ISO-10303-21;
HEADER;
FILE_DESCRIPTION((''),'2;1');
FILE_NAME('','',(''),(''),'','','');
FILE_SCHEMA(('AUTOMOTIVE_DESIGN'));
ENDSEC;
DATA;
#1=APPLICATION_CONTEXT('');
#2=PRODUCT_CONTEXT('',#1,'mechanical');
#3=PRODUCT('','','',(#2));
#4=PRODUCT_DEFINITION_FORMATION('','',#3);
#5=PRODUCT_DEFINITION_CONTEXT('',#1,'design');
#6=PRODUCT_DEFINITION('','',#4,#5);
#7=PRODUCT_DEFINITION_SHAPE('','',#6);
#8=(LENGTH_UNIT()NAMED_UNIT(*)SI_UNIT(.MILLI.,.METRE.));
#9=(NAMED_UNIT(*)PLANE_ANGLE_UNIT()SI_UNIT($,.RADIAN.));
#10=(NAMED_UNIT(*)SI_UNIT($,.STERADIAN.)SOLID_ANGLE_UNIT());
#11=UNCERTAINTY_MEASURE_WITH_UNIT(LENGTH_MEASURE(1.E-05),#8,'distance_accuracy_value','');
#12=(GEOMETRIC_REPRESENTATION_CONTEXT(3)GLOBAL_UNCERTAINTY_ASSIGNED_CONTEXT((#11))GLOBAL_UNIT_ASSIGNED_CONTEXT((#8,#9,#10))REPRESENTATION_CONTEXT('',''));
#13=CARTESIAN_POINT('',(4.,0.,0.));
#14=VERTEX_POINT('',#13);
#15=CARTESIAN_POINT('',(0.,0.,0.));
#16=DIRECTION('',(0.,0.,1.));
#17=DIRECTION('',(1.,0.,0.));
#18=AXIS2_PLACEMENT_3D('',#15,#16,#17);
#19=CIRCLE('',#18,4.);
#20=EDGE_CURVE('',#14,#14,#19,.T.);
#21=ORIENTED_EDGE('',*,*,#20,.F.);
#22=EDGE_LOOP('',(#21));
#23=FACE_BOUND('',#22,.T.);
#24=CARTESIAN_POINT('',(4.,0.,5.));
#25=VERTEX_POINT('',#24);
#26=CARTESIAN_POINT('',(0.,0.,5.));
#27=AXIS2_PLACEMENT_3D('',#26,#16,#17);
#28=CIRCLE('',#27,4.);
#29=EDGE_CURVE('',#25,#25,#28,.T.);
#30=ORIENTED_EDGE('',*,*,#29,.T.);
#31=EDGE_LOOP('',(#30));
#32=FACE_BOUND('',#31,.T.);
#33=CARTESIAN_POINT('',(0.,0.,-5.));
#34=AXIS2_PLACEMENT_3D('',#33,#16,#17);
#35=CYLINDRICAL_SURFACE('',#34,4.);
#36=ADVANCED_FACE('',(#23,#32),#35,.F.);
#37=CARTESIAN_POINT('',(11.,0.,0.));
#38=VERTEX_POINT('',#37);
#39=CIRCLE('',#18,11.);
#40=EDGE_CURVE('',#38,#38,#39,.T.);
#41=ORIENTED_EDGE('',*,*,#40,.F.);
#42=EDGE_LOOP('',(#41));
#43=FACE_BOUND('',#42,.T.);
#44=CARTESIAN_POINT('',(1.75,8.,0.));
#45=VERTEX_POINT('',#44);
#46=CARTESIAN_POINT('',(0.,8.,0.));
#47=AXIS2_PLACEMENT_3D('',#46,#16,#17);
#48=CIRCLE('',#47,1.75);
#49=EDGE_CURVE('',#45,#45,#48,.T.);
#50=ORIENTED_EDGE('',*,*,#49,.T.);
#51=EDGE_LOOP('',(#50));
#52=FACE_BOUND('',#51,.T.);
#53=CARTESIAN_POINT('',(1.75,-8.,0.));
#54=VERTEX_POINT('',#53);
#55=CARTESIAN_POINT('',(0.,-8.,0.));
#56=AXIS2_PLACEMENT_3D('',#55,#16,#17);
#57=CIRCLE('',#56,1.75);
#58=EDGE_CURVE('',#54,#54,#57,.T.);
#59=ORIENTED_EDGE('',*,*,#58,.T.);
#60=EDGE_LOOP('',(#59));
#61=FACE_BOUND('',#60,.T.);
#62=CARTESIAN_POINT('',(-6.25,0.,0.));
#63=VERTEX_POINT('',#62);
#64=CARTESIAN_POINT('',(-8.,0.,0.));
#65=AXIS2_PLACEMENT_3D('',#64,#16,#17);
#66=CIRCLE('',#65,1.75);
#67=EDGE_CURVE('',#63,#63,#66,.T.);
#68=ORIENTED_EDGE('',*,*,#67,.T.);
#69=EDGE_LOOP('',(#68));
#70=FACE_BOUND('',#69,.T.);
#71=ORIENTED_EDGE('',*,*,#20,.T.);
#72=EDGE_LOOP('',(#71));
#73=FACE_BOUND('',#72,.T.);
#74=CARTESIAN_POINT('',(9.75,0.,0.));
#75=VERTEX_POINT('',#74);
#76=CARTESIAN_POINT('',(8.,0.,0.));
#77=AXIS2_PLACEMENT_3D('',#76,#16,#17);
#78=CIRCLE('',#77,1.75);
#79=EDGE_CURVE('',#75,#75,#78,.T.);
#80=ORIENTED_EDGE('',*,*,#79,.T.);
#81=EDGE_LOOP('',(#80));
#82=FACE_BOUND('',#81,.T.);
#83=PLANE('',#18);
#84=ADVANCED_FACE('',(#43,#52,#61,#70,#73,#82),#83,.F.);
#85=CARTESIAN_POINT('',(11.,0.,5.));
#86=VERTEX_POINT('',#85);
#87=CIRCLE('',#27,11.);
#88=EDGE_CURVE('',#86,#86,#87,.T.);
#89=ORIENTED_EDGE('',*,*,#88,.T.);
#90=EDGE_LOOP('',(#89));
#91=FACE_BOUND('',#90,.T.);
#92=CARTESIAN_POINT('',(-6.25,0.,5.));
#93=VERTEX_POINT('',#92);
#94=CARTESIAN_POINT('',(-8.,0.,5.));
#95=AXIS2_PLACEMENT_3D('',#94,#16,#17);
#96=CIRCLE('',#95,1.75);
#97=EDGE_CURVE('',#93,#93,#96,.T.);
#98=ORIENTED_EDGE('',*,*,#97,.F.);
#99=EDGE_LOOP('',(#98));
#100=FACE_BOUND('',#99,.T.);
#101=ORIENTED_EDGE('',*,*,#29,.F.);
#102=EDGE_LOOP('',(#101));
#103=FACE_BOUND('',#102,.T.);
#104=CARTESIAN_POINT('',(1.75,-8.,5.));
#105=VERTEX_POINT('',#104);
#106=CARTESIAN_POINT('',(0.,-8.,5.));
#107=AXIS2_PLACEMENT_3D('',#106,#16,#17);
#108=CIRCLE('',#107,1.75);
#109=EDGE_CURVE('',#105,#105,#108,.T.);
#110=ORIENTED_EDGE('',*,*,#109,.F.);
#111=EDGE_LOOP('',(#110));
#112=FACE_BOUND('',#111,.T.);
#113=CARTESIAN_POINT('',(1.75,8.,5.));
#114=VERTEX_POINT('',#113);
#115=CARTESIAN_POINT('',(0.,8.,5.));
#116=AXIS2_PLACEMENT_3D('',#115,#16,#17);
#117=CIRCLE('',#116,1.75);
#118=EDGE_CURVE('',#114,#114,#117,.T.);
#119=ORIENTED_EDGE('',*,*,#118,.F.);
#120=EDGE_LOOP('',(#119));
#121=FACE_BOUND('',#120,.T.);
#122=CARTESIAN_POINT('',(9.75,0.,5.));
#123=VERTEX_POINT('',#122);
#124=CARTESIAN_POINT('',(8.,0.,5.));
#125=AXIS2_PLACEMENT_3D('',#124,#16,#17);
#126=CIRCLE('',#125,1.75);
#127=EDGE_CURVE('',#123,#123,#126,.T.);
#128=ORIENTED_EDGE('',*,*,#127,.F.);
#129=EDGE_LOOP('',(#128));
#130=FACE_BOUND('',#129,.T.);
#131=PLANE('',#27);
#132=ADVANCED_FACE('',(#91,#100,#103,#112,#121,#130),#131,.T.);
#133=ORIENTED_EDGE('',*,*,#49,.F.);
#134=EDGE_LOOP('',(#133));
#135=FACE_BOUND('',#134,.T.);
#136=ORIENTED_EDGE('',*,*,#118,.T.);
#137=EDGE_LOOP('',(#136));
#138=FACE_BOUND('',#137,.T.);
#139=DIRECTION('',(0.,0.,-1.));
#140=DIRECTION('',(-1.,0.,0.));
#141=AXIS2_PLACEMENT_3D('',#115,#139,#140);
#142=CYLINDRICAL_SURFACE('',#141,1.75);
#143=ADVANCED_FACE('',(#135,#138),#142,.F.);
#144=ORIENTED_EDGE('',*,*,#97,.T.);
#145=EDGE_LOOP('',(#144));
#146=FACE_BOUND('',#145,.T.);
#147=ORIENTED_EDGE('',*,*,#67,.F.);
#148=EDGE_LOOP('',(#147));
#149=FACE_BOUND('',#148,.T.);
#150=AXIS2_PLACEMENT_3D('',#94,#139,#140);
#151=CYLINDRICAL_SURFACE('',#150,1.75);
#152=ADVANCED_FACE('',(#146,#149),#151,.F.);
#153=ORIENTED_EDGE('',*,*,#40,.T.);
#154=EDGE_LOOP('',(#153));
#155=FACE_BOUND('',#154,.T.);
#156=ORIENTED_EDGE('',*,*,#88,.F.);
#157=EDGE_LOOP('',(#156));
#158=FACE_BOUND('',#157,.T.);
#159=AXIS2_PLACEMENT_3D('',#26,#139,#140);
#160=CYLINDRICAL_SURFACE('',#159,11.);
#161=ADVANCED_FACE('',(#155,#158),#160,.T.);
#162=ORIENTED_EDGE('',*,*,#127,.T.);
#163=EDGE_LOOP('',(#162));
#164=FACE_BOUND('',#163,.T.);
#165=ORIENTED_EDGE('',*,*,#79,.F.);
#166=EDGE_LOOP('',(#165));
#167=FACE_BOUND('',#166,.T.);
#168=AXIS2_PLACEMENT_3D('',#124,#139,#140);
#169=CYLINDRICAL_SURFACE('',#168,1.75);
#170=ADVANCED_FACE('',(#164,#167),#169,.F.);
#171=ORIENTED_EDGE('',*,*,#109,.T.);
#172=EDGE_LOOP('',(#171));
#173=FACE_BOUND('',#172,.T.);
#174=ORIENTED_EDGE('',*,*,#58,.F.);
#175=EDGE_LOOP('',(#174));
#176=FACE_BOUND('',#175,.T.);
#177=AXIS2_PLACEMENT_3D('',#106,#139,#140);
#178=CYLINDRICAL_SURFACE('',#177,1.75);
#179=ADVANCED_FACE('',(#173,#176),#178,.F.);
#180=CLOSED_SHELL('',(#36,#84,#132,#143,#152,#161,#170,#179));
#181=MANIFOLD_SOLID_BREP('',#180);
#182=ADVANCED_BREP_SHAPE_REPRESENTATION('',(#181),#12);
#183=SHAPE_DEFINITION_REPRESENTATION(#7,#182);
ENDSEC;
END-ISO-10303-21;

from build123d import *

# Parameters (mm, degrees)
SKETCH_1_R          = 11
SKETCH_1_R_2        = 1.75
EXTRUDE_1_DEPTH     = 5
SKETCH_2_R          = 4
SKETCH_2_R_2        = 2.35
CUT_EXTRUDE_1_DEPTH = 10


with BuildPart() as part:
    # 스케치1 → 보스-돌출1 (new body)
    with BuildSketch(Plane.XY):
        Circle(SKETCH_1_R)
        with Locations((0, 8)):
            Circle(SKETCH_1_R_2, mode=Mode.SUBTRACT)
        with Locations((8, 0)):
            Circle(SKETCH_1_R_2, mode=Mode.SUBTRACT)
        with Locations((0, -8)):
            Circle(SKETCH_1_R_2, mode=Mode.SUBTRACT)
        with Locations((-8, 0)):
            Circle(SKETCH_1_R_2, mode=Mode.SUBTRACT)
    extrude(amount=EXTRUDE_1_DEPTH)

    # 스케치2 → 컷-돌출1 (cut)
    # profile 1 of 2: a face of its own
    with BuildSketch(Plane.XY.offset(5)):
        Circle(SKETCH_2_R)
        Circle(SKETCH_2_R_2, mode=Mode.SUBTRACT)
    # profile 2 of 2: a face of its own
    with BuildSketch(Plane.XY.offset(5)):
        Circle(SKETCH_2_R_2)
    extrude(amount=-CUT_EXTRUDE_1_DEPTH, mode=Mode.SUBTRACT)


solid = part.part
